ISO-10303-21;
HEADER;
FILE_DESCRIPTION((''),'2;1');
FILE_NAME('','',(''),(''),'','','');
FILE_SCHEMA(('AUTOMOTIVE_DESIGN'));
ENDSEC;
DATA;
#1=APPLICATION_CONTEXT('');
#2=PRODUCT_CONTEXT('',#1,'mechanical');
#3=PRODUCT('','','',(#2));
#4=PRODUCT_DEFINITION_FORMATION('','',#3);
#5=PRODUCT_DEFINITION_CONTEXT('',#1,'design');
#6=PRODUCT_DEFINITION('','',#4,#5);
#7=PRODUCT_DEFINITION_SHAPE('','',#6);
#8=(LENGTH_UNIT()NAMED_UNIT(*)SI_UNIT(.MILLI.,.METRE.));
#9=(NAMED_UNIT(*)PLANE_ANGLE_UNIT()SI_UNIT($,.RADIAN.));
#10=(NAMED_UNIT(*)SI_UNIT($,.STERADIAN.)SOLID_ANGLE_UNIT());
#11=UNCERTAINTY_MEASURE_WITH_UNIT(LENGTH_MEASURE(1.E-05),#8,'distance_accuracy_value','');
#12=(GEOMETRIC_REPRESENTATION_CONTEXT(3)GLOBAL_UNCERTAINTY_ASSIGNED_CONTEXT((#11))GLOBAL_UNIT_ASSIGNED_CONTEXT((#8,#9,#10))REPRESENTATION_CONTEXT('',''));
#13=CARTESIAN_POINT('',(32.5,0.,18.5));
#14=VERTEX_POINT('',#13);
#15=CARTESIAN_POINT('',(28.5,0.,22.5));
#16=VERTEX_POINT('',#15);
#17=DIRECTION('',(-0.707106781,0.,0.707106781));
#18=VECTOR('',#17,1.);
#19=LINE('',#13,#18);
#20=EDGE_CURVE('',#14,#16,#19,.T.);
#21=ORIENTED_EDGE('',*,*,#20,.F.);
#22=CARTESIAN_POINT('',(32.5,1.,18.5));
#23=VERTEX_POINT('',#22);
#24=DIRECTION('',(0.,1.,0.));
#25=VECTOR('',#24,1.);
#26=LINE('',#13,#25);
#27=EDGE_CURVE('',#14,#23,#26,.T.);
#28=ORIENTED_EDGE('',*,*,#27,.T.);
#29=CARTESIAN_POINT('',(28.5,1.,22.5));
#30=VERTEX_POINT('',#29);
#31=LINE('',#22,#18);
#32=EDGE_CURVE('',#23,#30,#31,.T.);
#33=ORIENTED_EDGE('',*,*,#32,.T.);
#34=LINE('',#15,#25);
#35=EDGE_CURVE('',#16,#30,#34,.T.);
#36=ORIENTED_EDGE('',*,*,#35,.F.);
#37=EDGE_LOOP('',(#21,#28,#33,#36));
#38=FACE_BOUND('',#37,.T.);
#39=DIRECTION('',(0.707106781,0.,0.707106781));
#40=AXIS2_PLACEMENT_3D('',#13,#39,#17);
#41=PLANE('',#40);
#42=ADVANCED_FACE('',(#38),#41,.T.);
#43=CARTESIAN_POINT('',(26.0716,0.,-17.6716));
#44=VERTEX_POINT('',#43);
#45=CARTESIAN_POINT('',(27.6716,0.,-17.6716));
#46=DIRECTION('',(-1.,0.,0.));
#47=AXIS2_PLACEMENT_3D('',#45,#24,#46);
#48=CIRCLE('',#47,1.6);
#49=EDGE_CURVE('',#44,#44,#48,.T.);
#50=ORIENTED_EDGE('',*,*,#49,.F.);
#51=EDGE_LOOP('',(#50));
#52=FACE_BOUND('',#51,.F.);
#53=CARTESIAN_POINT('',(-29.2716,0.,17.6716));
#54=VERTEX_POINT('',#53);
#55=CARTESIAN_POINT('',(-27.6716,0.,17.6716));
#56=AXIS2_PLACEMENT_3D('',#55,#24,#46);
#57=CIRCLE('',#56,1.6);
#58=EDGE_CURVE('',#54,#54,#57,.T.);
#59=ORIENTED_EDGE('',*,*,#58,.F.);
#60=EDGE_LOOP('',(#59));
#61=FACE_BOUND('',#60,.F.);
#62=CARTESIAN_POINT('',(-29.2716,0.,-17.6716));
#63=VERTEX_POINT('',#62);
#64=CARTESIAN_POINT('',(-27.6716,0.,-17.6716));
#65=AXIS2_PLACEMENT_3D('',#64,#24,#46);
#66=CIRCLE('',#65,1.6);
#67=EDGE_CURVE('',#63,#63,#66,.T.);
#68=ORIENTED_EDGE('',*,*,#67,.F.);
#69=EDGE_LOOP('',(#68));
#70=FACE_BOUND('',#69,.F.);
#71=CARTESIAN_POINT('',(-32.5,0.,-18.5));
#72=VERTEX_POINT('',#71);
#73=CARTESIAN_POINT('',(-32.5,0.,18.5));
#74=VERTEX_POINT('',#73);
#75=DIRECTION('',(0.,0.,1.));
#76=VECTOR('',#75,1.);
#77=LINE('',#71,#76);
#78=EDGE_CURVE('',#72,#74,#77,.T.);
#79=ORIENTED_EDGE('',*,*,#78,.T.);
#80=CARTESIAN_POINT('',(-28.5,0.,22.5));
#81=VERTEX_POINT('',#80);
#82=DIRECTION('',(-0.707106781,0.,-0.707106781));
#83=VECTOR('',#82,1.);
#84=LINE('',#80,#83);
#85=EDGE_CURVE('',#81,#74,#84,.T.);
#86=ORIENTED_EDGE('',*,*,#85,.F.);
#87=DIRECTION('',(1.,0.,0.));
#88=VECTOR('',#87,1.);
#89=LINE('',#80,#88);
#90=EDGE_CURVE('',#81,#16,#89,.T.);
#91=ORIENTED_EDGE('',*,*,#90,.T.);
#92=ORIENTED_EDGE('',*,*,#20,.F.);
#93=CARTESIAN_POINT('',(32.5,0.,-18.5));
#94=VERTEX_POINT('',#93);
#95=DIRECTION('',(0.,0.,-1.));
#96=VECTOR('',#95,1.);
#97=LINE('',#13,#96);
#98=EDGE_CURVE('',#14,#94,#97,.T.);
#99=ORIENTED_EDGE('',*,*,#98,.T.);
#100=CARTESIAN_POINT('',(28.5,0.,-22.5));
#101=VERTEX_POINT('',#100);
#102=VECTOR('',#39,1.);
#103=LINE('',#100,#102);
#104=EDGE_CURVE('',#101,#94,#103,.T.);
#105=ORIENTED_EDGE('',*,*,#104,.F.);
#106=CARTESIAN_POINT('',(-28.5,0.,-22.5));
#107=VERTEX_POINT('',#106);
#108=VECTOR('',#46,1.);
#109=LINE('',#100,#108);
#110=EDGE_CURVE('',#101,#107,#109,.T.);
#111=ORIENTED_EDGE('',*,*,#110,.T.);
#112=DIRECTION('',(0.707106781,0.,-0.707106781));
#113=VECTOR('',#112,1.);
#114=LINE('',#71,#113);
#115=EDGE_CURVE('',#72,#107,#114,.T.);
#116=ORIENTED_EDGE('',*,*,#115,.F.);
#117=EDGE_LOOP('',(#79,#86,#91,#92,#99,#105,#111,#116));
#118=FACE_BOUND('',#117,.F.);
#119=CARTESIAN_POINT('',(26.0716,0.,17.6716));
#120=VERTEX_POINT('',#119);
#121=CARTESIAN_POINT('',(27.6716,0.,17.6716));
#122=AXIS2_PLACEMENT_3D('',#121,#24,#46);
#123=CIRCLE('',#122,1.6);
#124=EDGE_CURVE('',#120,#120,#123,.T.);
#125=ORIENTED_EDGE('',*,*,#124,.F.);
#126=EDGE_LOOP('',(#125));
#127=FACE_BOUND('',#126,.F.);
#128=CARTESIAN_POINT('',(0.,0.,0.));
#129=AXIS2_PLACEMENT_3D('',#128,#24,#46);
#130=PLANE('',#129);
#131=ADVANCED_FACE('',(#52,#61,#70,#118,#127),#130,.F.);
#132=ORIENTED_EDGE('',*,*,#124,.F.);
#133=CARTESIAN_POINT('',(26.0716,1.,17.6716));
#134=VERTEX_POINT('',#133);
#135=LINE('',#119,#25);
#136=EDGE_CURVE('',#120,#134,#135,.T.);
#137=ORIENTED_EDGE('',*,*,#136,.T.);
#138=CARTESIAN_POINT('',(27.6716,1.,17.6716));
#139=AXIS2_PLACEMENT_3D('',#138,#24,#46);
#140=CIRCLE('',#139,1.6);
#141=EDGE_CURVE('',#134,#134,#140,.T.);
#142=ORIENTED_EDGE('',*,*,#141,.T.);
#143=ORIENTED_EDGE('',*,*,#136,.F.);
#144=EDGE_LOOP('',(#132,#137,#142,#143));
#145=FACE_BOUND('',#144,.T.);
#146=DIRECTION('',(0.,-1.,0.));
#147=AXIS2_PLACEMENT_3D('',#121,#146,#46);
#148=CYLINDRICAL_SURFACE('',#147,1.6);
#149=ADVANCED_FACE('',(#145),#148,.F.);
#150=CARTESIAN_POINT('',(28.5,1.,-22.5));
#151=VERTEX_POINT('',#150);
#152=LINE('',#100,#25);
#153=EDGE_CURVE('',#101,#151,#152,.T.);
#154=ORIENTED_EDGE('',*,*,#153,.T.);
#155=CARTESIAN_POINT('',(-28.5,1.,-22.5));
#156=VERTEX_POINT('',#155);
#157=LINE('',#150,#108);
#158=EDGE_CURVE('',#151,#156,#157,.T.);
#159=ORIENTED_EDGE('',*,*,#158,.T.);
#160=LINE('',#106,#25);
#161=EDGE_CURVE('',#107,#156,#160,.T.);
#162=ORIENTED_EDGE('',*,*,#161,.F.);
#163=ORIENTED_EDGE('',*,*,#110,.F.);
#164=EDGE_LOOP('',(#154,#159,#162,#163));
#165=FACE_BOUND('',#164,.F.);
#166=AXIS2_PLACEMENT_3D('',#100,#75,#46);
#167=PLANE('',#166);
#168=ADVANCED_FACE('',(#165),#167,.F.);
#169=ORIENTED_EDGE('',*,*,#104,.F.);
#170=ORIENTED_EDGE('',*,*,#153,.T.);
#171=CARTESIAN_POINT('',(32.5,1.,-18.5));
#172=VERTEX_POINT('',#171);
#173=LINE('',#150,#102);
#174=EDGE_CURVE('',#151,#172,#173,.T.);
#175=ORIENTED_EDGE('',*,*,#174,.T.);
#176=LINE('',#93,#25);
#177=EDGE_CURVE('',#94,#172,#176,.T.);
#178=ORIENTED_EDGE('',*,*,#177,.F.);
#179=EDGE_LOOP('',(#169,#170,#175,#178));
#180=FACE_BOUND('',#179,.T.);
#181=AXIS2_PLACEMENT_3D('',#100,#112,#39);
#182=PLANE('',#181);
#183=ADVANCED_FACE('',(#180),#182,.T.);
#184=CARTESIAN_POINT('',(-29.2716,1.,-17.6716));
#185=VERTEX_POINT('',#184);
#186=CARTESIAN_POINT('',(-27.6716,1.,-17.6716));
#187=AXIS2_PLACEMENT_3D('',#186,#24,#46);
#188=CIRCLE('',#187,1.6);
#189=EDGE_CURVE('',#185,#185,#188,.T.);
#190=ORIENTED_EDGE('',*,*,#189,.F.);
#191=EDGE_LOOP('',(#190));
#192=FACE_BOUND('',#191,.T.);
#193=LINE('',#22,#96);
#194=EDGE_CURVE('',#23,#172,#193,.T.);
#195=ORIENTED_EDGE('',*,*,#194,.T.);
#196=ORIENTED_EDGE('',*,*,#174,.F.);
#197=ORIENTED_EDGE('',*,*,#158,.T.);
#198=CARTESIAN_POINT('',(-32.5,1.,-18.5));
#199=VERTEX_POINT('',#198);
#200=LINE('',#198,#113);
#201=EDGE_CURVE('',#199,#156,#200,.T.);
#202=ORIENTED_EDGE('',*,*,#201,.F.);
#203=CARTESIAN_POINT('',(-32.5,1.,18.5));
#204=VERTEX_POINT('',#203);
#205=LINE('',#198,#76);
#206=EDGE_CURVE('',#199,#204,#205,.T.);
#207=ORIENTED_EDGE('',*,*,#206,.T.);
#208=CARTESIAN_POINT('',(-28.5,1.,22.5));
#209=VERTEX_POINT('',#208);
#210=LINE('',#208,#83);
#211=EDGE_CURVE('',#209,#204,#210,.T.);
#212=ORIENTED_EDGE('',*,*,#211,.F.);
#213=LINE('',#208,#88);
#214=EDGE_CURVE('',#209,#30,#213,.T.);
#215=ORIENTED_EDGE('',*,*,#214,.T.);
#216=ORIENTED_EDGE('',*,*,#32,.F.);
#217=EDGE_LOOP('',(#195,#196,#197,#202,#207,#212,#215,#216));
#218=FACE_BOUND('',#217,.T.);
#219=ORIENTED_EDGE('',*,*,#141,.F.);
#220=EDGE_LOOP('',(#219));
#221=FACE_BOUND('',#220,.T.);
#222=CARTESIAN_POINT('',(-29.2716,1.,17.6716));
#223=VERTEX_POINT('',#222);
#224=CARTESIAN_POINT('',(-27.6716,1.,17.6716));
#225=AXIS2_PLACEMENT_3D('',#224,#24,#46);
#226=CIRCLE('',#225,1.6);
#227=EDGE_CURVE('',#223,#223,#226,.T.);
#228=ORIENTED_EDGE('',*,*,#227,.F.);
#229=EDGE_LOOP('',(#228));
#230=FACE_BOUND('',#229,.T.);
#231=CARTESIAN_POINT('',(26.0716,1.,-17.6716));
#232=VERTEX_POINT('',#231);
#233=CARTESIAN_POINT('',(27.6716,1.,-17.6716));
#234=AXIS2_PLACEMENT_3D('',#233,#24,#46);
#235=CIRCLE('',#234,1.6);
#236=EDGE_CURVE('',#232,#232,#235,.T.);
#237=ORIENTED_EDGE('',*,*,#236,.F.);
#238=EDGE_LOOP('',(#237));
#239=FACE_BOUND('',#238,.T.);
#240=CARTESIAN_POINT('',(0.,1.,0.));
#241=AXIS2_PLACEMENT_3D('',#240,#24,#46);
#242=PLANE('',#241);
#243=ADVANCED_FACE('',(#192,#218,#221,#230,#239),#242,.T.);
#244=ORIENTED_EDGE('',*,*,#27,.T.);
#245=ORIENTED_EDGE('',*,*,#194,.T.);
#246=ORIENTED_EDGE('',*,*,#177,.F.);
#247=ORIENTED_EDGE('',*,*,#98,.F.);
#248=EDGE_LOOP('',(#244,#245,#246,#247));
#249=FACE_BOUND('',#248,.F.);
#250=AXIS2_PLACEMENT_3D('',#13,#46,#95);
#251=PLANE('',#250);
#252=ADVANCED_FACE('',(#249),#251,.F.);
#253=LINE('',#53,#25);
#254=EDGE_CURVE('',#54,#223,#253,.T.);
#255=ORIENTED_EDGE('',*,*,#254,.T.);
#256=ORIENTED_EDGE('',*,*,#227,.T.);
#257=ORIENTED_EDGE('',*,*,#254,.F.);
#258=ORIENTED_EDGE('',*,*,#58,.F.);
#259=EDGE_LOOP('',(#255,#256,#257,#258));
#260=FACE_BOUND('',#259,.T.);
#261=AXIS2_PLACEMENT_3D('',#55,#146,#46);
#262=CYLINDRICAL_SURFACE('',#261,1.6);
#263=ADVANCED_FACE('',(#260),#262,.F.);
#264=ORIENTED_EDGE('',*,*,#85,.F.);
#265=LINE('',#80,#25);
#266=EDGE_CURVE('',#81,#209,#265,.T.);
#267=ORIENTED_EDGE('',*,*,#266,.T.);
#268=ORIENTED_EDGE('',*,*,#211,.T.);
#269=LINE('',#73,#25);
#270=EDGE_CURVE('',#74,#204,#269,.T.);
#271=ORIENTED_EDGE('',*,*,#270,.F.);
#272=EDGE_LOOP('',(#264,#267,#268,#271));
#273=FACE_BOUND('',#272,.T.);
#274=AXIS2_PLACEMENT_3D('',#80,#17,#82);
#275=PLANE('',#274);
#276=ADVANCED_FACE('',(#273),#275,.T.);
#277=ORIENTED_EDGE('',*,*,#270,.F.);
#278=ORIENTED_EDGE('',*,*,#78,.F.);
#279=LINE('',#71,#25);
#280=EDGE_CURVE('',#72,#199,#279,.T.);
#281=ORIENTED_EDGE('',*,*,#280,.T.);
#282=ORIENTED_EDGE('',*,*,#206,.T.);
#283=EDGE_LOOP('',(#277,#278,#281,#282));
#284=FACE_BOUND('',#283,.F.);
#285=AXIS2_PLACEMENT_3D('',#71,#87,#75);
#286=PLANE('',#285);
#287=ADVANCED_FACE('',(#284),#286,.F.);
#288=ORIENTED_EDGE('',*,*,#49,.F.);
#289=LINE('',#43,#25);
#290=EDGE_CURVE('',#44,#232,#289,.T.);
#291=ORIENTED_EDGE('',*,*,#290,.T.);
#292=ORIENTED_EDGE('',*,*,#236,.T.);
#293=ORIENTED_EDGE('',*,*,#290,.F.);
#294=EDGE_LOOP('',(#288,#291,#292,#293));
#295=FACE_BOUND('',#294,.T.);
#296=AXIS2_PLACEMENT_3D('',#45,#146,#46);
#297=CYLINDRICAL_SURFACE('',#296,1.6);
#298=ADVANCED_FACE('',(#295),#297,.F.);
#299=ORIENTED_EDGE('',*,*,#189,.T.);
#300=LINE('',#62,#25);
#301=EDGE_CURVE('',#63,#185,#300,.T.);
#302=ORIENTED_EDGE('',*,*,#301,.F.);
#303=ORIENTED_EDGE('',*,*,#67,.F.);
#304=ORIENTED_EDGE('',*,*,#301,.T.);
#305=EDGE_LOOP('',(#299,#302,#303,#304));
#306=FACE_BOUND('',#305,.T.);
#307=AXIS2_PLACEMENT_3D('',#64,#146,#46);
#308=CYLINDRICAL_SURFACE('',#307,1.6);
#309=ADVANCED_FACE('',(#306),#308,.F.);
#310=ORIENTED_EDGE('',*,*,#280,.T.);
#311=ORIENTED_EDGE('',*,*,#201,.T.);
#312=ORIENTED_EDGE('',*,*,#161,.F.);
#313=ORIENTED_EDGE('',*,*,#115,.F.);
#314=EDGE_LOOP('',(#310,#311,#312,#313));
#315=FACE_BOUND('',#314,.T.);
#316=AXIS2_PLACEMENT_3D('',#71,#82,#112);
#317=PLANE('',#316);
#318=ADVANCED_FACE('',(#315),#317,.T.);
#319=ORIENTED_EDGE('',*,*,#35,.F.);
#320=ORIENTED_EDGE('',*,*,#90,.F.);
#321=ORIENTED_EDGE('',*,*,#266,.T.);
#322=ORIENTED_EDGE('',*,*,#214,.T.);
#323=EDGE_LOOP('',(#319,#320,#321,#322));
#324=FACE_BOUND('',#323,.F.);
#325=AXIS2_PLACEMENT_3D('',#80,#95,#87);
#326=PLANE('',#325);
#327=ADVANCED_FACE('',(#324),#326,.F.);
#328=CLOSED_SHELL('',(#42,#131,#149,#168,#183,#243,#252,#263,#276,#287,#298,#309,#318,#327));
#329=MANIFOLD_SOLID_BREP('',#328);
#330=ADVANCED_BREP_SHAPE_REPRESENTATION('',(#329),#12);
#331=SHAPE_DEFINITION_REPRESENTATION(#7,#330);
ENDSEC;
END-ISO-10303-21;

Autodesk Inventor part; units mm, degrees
ref_plane "YZ Plane" through (0, 0, 0) normal (1, 0, 0) x (0, 1, 0)
ref_plane "XZ Plane" through (0, 0, 0) normal (0, 1, 0) x (-1, 0, 0)
ref_plane "XY Plane" through (0, 0, 0) normal (0, 0, 1) x (1, 0, 0)
sketch "Sketch1" plane through (0, 0, 0) normal (0, 1, 0) x (-1, 0, 0)
  line L0 (28.5, 22.5) -> (-28.5, 22.5)
  line L1 (-32.5, 18.5) -> (-32.5, -18.5)
  line L2 (-28.5, -22.5) -> (28.5, -22.5)
  line L3 (32.5, -18.5) -> (32.5, 18.5)
  line L4 (32.5, -18.5) -> (28.5, -22.5)
  line L5 (-28.5, -22.5) -> (-32.5, -18.5)
  line L6 (-32.5, 18.5) -> (-28.5, 22.5)
  line L7 (28.5, 22.5) -> (32.5, 18.5)
  line L8 (30.5, -20.5) -> (27.6716, -17.6716) construction
  line L9 (-30.5, -20.5) -> (-27.6716, -17.6716) construction
  line L10 (30.5, 20.5) -> (27.6716, 17.6716) construction
  line L11 (-30.5, 20.5) -> (-27.6716, 17.6716) construction
  circle A0 centre (27.6716, -17.6716) radius 1.6
  circle A1 centre (-27.6716, -17.6716) radius 1.6
  circle A2 centre (-27.6716, 17.6716) radius 1.6
  circle A3 centre (27.6716, 17.6716) radius 1.6
  point P0 (0, 0)
  point P1 (32.5, 22.5)
  point P2 (-32.5, 22.5)
  point P3 (-32.5, -22.5)
  point P4 (32.5, -22.5)
  dimension "d0" = 65
  dimension "d1" = 45
  dimension "d2" = 4
  dimension "d3" = 4
  dimension "d4" = 4
  dimension "d5" = 4
  dimension "d6" = 4
  dimension "d7" = 4
  dimension "d8" = 4
  dimension "d9" = 4
  dimension "d10" = 4
  dimension "d11" = 4
  dimension "d12" = 4
  dimension "d13" = 4
  dimension "d14" = 3.2
  dimension "d15" = 3.2
  dimension "d16" = 3.2
  dimension "d17" = 3.2
extrude "Extrusion1" add sketch "Sketch1" along normal blind 1
sketch "Sketch2" plane through (0, 1, 0) normal (0, 1, 0) x (1, 0, 0)
  circle A0 centre (-27.6716, -17.6716) radius 2.8
  circle A1 centre (-27.6716, 17.6716) radius 2.8
  circle A2 centre (27.6716, 17.6716) radius 2.8
  circle A3 centre (27.6716, -17.6716) radius 2.8
  point P0 (0, 0)
  dimension "d20" = 5.6
  dimension "d21" = 5.6
  dimension "d22" = 5.6
  dimension "d23" = 5.6
equation "\"d3\" = d2"
equation "\"d4\" = d2"
equation "\"d5\" = d4"
equation "\"d6\" = d2"
equation "\"d7\" = d6"
equation "\"d8\" = d2"
equation "\"d9\" = d8"
properties part number "ShootPCB"
